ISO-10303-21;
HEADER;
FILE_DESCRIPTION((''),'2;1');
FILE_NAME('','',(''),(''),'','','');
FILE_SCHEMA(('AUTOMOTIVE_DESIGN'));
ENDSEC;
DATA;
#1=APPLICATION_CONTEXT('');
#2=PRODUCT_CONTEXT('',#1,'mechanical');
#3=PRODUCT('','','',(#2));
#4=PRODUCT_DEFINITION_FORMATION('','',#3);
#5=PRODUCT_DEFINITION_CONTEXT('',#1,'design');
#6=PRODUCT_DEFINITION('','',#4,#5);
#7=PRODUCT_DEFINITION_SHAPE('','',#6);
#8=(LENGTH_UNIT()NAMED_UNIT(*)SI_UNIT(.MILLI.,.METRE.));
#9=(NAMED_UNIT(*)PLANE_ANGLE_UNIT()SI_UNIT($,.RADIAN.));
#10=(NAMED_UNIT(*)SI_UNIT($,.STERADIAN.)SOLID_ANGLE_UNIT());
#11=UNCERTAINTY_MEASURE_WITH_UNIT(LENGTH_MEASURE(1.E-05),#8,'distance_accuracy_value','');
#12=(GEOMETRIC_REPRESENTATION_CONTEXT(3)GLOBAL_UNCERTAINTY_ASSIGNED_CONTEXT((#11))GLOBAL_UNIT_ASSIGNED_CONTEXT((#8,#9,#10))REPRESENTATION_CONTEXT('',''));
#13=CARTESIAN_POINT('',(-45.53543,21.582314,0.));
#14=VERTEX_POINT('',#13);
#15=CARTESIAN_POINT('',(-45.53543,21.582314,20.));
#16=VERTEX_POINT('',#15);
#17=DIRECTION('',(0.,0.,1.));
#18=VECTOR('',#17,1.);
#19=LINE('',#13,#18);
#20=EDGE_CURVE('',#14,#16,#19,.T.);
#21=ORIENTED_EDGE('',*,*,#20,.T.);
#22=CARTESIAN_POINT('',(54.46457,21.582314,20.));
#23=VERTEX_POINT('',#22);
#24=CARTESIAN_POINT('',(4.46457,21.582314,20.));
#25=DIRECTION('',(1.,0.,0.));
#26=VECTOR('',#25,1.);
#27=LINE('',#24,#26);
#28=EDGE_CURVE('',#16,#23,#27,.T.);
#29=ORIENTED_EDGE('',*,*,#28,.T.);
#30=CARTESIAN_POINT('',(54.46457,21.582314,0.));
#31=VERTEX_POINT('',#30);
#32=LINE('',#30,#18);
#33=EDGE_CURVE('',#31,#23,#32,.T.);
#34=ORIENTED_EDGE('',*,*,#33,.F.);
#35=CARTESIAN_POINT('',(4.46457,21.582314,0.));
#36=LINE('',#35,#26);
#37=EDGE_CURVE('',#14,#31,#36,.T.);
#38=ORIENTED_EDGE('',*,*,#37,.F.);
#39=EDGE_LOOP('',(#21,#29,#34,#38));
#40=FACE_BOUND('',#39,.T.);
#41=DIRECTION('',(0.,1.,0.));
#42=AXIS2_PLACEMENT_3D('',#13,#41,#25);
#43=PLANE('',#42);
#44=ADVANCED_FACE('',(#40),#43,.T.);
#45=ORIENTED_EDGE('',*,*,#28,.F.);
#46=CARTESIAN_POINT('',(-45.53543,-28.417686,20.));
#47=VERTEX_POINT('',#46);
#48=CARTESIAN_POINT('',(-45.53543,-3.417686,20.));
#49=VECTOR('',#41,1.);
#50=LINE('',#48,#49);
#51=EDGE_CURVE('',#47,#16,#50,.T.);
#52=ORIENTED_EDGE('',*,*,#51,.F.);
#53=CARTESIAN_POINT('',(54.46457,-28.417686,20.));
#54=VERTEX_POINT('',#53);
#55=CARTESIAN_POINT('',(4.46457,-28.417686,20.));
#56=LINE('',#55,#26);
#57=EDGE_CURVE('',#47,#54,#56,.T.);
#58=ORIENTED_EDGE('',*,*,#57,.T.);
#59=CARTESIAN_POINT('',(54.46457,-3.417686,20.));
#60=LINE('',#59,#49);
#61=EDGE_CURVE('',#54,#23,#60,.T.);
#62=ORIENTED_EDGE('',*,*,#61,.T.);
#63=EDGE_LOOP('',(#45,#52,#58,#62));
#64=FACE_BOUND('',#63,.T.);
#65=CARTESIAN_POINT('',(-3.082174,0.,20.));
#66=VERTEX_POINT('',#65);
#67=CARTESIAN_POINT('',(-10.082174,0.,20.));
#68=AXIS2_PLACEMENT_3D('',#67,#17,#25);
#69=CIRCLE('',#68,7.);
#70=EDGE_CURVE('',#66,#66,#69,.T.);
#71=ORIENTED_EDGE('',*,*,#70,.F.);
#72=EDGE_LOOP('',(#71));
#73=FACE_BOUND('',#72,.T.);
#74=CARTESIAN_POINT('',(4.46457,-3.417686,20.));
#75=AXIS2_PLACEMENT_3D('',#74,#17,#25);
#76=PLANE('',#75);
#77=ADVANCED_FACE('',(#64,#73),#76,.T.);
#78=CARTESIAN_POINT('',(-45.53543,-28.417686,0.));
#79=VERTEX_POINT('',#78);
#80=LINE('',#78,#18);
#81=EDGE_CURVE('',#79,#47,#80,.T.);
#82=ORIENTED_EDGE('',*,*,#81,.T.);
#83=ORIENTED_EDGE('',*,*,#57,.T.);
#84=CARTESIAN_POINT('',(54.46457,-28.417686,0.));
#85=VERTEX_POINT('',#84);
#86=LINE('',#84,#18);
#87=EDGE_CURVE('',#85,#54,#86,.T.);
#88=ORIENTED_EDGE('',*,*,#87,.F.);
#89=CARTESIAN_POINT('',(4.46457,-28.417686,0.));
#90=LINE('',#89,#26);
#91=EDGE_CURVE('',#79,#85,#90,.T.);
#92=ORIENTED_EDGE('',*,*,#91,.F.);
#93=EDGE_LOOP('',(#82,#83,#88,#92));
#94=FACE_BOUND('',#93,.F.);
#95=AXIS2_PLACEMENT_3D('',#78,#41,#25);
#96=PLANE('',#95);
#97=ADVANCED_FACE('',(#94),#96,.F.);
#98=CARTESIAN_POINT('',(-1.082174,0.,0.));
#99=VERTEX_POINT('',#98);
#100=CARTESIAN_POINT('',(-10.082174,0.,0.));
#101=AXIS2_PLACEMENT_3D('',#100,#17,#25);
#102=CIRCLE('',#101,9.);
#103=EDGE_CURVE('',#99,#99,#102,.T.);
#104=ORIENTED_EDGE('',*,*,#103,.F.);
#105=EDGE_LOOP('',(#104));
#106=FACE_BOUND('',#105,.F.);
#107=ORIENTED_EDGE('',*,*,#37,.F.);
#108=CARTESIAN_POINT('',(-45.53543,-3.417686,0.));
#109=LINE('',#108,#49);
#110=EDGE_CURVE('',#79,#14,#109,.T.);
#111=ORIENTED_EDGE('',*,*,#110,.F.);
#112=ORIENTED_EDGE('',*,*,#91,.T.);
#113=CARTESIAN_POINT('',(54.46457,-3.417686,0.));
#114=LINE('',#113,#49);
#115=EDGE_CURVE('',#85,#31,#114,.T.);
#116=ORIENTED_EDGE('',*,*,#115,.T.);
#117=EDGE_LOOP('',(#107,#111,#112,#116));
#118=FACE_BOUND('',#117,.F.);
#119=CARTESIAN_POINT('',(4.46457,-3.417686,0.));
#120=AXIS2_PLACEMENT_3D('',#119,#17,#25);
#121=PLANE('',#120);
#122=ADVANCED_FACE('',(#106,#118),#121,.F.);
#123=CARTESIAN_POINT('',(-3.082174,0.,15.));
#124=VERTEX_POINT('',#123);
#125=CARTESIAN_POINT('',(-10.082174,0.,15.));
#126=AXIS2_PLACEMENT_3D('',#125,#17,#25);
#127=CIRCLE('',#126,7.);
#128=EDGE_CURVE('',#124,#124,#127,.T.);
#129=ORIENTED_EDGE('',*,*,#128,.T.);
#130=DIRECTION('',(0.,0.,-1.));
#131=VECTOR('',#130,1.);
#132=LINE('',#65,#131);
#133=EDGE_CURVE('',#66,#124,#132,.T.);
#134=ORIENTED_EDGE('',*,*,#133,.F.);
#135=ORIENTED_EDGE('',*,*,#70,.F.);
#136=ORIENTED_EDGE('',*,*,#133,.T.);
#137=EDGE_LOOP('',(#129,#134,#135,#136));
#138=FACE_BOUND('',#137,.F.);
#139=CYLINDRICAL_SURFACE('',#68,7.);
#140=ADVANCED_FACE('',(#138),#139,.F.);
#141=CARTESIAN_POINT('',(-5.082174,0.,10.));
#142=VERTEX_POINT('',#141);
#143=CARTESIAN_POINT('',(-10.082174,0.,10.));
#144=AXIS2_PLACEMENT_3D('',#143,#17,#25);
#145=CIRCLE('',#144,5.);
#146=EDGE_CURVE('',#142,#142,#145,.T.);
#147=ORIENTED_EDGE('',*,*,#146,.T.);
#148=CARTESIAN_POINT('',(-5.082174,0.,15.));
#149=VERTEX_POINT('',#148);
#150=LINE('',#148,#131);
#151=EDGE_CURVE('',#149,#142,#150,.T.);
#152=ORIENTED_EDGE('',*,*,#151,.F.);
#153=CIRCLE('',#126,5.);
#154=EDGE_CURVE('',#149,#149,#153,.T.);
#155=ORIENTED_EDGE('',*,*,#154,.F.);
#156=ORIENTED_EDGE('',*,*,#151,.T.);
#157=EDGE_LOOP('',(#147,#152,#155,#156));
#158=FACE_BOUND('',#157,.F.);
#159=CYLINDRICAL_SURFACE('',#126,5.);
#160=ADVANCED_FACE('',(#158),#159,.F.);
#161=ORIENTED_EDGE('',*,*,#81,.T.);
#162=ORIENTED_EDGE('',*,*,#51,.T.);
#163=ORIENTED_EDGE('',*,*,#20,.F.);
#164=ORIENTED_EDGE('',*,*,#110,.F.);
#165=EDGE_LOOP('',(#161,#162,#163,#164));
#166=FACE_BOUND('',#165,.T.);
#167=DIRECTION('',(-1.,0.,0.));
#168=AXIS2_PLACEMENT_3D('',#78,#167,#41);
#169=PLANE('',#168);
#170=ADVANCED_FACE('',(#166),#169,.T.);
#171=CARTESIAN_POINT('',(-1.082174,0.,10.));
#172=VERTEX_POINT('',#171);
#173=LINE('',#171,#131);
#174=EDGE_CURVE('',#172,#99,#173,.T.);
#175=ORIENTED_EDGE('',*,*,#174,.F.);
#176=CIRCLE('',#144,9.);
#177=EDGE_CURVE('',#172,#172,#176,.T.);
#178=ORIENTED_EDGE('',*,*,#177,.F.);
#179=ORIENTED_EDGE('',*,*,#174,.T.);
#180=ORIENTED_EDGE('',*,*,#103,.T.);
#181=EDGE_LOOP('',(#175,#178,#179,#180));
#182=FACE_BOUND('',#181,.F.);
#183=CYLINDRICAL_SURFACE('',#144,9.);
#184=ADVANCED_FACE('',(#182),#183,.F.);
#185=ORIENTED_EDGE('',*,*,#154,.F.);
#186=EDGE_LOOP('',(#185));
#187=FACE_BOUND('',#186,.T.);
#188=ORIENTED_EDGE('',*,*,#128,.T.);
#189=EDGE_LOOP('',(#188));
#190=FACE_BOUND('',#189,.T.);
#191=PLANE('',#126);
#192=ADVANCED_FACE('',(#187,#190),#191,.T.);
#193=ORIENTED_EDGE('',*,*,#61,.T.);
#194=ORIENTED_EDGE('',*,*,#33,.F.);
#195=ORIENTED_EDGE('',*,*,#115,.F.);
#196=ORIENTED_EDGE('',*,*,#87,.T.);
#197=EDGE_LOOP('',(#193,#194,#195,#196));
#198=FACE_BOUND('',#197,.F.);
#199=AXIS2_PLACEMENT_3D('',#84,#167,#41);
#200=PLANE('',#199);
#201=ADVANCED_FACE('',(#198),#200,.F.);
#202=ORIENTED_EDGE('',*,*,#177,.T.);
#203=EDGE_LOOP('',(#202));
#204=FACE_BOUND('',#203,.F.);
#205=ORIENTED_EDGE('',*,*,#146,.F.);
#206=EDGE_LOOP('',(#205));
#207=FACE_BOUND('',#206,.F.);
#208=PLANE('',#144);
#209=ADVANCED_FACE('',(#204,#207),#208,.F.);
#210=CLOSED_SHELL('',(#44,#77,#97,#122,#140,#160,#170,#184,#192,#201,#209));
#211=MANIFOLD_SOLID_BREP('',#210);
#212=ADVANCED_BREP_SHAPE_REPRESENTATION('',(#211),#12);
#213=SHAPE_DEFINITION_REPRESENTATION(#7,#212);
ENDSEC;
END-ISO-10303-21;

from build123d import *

# Parameters (mm, degrees)
F0_W     = 100
F0_H     = 50
F1_DEPTH = 20
F2_R     = 7
F3_DEPTH = 5
F4_R     = 5
F5_DEPTH = 5
F6_R     = 9
F7_DEPTH = 25


with BuildPart() as f1:
    # F0 (on Top) → F1 (new body)
    with BuildSketch(Plane.XY):
        with Locations((4.46457, -3.417686)):
            Rectangle(F0_W, F0_H)
    extrude(amount=F1_DEPTH)

    # F2 (on face) → F3 (cut)
    with BuildSketch(Plane.XY.offset(20)):
        with Locations((-10.082174, 0)):
            Circle(F2_R)
    extrude(amount=-F3_DEPTH, mode=Mode.SUBTRACT)

    # F4 (on face) → F5 (cut)
    with BuildSketch(Plane.XY.offset(15)):
        with Locations((-10.082174, 0)):
            Circle(F4_R)
    extrude(amount=-F5_DEPTH, mode=Mode.SUBTRACT)

    # F6 (on face) → F7 (cut)
    with BuildSketch(Plane.XY.offset(10)):
        with Locations((-10.082174, 0)):
            Circle(F6_R)
    extrude(amount=-F7_DEPTH, mode=Mode.SUBTRACT)


solid = f1.part
